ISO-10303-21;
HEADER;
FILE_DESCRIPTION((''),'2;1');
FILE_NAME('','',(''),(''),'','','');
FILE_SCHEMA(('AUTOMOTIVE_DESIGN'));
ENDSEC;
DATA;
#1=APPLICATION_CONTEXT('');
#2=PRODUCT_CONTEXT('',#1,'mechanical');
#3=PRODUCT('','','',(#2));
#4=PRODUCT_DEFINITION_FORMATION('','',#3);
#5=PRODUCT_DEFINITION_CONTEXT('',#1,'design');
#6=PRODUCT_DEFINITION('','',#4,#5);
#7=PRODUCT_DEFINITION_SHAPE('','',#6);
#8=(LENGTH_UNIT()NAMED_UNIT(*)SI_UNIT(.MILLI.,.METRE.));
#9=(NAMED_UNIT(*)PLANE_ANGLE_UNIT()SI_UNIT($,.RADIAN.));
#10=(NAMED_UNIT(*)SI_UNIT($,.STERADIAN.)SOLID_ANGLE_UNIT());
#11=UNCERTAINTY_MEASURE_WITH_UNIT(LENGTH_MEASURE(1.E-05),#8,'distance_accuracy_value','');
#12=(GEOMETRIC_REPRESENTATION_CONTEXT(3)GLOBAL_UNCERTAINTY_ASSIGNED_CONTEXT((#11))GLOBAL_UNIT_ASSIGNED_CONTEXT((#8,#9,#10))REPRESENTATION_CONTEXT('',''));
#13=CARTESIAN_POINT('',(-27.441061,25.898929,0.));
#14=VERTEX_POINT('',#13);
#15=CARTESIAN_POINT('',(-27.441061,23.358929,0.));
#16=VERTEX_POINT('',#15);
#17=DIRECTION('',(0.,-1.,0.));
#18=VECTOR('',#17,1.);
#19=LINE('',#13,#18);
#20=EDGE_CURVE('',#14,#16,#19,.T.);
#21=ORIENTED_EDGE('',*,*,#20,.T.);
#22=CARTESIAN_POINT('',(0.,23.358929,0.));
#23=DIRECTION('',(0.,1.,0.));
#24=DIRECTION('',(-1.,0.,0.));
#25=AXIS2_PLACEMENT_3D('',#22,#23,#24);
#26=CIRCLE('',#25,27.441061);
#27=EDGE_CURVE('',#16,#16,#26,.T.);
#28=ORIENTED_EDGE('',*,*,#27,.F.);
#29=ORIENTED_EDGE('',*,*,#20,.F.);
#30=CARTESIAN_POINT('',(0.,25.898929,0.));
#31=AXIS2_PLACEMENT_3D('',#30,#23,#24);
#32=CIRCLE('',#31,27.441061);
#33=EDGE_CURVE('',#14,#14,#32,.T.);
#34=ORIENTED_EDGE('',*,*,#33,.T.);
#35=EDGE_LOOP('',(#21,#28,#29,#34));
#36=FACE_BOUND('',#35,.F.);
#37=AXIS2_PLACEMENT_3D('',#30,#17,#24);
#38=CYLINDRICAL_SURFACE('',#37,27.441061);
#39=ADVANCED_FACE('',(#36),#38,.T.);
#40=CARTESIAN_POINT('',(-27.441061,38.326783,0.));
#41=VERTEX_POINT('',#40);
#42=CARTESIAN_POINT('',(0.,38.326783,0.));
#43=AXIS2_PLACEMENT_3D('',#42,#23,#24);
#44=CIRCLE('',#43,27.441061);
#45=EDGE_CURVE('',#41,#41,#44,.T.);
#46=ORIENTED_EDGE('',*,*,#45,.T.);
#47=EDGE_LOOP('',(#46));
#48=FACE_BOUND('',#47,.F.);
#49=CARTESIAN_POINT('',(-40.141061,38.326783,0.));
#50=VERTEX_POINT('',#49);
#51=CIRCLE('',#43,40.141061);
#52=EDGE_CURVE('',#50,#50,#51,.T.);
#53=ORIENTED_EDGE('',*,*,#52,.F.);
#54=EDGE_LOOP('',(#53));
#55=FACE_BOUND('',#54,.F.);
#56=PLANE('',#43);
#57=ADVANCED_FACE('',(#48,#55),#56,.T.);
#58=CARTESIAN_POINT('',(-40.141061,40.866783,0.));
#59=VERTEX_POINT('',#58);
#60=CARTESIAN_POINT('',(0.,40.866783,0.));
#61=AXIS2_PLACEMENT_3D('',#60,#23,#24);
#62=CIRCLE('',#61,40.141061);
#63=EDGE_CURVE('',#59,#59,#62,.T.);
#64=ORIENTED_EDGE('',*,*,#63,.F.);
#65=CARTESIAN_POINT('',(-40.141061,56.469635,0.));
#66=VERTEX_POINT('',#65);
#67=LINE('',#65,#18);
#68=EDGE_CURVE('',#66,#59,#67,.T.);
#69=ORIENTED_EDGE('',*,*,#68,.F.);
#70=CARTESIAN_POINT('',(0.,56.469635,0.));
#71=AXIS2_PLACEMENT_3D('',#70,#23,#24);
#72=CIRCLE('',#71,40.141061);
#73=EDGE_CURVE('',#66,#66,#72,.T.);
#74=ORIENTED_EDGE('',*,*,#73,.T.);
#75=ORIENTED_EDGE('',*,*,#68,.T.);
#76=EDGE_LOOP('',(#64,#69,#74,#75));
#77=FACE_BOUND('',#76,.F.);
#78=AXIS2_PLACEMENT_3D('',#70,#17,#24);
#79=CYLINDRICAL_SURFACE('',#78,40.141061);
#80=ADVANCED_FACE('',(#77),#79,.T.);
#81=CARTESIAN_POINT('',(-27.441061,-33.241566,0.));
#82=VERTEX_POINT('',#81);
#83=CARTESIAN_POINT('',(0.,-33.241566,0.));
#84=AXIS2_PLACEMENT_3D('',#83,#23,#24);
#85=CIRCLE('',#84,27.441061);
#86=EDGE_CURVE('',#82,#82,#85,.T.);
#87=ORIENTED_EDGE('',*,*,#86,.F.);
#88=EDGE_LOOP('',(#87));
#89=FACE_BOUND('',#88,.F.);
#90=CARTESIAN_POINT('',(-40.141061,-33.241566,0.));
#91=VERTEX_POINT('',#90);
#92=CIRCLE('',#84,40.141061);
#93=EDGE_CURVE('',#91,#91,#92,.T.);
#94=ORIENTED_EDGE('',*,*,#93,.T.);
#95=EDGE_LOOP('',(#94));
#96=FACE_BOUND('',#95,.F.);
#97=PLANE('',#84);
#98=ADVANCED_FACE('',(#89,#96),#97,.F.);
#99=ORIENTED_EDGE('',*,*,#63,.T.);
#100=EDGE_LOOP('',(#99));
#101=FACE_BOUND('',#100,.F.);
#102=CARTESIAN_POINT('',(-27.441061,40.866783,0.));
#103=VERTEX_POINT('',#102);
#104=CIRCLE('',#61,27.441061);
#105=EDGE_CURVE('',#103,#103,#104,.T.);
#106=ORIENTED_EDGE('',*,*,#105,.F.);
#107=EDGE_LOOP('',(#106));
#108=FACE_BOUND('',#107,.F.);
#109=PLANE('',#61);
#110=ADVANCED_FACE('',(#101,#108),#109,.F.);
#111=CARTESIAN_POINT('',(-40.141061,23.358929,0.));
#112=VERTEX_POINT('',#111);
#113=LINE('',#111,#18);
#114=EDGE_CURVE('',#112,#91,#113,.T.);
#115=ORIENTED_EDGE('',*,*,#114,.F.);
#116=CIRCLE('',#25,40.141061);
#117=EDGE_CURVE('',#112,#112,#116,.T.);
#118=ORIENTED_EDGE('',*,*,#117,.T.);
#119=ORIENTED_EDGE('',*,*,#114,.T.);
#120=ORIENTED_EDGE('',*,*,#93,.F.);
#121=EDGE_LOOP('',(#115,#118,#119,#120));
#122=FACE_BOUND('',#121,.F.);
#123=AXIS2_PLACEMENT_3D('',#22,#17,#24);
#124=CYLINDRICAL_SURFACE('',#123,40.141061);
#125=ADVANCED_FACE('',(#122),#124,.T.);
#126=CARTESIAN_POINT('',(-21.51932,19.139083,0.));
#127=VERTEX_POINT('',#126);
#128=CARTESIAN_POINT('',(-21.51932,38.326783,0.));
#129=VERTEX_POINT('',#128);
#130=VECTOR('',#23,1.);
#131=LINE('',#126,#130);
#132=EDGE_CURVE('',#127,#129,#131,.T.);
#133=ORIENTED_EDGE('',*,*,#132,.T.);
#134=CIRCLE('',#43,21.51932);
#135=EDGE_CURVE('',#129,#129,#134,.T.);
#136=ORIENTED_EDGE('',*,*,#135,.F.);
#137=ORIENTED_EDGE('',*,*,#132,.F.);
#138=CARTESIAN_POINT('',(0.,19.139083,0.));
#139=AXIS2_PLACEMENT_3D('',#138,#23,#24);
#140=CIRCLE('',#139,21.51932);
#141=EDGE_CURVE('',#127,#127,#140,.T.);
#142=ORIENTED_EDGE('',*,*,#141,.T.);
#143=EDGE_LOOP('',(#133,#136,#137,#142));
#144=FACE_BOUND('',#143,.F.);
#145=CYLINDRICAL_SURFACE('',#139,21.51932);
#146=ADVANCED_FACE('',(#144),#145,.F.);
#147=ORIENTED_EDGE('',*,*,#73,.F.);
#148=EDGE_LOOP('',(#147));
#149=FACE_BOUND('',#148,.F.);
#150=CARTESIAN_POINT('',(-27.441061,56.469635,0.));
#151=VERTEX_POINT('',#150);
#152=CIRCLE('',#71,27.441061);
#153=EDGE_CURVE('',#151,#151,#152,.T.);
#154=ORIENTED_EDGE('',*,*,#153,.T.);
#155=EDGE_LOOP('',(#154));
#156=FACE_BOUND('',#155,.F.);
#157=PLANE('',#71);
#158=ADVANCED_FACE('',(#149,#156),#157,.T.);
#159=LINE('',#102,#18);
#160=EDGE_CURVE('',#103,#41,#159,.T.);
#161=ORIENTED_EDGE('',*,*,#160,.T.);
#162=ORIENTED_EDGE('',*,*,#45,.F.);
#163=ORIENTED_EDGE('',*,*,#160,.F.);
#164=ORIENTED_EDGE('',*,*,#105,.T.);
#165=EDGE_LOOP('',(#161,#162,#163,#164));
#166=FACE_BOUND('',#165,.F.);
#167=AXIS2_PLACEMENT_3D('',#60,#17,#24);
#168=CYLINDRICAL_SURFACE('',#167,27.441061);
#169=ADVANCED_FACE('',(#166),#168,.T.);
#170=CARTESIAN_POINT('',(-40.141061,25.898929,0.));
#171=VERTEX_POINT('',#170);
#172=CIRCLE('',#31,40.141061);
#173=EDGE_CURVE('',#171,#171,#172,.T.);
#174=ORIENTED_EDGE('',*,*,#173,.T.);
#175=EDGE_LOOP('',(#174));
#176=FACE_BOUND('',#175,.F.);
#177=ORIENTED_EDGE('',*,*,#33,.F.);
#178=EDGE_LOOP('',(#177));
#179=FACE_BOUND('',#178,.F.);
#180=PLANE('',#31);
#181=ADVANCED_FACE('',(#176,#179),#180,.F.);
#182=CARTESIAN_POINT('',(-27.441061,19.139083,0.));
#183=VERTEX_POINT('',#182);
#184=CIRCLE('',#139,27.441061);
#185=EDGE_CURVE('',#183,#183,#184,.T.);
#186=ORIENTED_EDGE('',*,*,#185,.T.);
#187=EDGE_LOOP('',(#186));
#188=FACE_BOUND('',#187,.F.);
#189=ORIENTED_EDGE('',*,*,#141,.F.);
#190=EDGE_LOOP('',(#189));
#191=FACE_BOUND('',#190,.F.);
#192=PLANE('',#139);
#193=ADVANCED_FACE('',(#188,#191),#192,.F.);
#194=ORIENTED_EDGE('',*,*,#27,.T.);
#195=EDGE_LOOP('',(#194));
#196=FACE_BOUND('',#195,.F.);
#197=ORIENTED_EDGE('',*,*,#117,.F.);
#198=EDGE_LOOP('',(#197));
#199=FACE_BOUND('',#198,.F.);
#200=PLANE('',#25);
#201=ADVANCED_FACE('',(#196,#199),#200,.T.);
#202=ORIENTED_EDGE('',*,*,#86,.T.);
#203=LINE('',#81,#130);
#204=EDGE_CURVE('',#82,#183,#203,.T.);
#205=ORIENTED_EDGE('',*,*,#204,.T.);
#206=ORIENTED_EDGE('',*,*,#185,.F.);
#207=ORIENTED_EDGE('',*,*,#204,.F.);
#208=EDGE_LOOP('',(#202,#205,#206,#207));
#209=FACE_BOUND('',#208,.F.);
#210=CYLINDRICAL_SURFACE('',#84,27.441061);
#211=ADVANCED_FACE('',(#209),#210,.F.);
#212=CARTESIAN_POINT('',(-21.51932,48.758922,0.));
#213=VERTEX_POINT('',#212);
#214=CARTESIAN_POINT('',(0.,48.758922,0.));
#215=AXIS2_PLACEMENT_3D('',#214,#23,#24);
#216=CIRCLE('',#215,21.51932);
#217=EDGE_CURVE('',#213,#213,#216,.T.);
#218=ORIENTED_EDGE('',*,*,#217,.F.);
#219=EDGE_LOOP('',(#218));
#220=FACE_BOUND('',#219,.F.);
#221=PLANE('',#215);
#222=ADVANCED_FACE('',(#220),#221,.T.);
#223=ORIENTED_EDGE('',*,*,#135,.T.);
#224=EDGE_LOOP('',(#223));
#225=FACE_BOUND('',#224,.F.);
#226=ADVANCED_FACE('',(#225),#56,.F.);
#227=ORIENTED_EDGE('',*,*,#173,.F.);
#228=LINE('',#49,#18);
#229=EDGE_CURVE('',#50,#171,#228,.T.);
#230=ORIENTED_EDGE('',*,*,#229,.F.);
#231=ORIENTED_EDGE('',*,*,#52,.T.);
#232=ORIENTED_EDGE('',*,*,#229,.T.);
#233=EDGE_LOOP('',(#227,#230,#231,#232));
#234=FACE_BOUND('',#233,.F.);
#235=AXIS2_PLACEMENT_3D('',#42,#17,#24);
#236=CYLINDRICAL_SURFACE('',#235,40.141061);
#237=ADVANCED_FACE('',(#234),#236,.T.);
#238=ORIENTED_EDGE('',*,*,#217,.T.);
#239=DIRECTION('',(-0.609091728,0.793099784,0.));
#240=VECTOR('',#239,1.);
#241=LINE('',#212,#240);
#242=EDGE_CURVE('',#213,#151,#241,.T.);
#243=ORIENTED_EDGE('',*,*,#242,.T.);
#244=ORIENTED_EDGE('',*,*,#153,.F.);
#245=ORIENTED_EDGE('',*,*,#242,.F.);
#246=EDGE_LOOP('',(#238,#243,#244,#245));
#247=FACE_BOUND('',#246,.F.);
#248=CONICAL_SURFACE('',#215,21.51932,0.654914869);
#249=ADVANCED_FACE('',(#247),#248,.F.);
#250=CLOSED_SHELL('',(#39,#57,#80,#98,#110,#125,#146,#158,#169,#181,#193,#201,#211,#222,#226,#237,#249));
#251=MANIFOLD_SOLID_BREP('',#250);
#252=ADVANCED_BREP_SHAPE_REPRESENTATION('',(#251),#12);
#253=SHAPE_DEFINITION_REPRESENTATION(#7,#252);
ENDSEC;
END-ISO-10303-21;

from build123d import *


with BuildPart() as f1:
    # F0 (on Top) → F1 (revolve)
    with BuildSketch(Plane.XY):
        Polygon((0, 38.326783), (0, 48.758922), (-21.51932, 48.758922), (-27.441061, 56.469635), (-40.141061, 56.469635), (-40.141061, 40.866783), (-27.441061, 40.866783), (-27.441061, 38.326783), (-40.141061, 38.326783), (-40.141061, 25.898929), (-27.441061, 25.898929), (-27.441061, 23.358929), (-40.141061, 23.358929), (-40.141061, -33.241566), (-27.441061, -33.241566), (-27.441061, 19.139083), (-21.51932, 19.139083), (-21.51932, 38.326783), align=None)
    revolve(axis=Axis((0, 43.542852, 0), (0, 1, 0)))


solid = f1.part
